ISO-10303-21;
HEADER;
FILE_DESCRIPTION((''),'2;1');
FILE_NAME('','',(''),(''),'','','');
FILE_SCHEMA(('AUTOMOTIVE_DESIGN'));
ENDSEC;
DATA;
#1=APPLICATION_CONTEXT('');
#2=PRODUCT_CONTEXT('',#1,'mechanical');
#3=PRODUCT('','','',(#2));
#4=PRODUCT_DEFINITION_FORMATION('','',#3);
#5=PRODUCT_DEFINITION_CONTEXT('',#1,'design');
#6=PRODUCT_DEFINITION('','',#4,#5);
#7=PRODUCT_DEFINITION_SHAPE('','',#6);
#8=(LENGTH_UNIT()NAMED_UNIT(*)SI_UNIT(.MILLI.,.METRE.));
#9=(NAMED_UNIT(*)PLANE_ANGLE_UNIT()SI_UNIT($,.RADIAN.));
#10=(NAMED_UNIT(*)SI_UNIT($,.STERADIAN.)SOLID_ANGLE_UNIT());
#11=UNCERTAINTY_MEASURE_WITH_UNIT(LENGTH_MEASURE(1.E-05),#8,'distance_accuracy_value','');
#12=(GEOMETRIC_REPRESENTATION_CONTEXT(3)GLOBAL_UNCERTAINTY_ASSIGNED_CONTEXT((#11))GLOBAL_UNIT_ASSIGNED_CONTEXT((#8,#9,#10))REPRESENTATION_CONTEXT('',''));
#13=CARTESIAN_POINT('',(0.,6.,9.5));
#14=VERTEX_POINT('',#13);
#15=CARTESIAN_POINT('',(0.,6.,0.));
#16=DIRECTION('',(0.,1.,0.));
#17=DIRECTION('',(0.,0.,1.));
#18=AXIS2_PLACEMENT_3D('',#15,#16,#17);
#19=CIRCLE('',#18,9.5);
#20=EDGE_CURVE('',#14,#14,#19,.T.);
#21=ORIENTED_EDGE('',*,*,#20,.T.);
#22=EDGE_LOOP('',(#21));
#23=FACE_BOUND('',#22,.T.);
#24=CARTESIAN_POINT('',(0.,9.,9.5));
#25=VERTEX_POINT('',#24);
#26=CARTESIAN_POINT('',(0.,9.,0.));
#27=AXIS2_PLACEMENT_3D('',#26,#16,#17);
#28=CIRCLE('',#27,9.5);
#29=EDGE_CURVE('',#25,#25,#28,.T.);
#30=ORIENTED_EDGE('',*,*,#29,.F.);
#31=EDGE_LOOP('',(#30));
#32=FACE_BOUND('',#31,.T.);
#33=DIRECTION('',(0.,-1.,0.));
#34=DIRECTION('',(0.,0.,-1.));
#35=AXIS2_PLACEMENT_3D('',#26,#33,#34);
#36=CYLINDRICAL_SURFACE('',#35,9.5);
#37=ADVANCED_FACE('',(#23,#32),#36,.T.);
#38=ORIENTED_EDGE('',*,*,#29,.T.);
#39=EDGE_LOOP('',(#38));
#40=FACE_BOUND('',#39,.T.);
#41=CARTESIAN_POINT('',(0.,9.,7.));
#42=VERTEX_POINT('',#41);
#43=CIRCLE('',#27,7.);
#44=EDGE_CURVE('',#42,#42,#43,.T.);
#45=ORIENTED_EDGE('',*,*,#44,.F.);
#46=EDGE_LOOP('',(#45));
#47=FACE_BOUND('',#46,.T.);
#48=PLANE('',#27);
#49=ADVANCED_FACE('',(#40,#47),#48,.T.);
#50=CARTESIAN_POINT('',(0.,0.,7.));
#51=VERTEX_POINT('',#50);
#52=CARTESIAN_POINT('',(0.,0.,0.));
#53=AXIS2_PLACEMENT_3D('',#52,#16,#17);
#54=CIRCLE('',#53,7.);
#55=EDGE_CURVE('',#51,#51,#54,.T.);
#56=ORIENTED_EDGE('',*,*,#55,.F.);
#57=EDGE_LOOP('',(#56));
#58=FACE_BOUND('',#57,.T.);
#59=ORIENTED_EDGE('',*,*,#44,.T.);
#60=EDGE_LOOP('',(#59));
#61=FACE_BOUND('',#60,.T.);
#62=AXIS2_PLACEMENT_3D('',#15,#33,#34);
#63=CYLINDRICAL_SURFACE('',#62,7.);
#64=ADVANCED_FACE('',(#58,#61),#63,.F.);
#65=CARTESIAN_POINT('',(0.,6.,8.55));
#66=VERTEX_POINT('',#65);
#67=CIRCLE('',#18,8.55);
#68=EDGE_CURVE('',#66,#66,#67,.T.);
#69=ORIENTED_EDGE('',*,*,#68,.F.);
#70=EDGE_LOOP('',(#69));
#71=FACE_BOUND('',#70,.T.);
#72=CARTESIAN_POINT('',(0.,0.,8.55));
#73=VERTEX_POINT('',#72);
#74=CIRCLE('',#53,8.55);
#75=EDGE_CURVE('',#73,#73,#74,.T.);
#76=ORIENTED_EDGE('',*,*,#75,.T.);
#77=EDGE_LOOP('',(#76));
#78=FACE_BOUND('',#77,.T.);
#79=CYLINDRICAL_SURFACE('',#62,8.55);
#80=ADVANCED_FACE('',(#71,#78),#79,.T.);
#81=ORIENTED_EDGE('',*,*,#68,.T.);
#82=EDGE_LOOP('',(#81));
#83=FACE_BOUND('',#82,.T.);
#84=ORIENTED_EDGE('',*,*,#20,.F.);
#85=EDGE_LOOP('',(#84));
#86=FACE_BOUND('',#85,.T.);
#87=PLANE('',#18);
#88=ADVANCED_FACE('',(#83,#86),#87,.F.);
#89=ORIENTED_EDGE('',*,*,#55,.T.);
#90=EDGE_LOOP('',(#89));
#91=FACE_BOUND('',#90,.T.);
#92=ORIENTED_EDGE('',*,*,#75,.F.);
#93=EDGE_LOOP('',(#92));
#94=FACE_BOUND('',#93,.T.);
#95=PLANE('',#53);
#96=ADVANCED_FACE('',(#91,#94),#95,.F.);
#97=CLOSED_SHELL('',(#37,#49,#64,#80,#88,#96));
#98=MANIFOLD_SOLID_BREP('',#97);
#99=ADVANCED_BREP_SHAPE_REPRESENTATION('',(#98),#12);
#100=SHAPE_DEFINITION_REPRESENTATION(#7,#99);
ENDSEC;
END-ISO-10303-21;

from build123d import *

# Parameters (mm, degrees)
SKETCH1_R           = 8.55
SKETCH1_R_2         = 7
BOSS_EXTRUDE1_DEPTH = 6
SKETCH2_R           = 9.5
SKETCH2_R_2         = 7
BOSS_EXTRUDE2_DEPTH = 3


with BuildPart() as part:
    # Sketch1 → Boss-Extrude1 (new body)
    with BuildSketch(Plane(origin=(0, 0, 0), x_dir=(1, 0, 0), z_dir=(0, 1, 0))):
        with Locations(Location((0, 0, 0), (0, 0, 270))):
            Circle(SKETCH1_R)
        with Locations(Location((0, 0, 0), (0, 0, 270))):
            Circle(SKETCH1_R_2, mode=Mode.SUBTRACT)
    extrude(amount=BOSS_EXTRUDE1_DEPTH)

    # Sketch2 → Boss-Extrude2 (add)
    with BuildSketch(Plane(origin=(0, 6, 0), x_dir=(1, 0, 0), z_dir=(0, 1, 0))):
        with Locations(Location((0, 0, 0), (0, 0, 270))):
            Circle(SKETCH2_R)
        with Locations(Location((0, 0, 0), (0, 0, 270))):
            Circle(SKETCH2_R_2, mode=Mode.SUBTRACT)
    extrude(amount=BOSS_EXTRUDE2_DEPTH)


solid = part.part
